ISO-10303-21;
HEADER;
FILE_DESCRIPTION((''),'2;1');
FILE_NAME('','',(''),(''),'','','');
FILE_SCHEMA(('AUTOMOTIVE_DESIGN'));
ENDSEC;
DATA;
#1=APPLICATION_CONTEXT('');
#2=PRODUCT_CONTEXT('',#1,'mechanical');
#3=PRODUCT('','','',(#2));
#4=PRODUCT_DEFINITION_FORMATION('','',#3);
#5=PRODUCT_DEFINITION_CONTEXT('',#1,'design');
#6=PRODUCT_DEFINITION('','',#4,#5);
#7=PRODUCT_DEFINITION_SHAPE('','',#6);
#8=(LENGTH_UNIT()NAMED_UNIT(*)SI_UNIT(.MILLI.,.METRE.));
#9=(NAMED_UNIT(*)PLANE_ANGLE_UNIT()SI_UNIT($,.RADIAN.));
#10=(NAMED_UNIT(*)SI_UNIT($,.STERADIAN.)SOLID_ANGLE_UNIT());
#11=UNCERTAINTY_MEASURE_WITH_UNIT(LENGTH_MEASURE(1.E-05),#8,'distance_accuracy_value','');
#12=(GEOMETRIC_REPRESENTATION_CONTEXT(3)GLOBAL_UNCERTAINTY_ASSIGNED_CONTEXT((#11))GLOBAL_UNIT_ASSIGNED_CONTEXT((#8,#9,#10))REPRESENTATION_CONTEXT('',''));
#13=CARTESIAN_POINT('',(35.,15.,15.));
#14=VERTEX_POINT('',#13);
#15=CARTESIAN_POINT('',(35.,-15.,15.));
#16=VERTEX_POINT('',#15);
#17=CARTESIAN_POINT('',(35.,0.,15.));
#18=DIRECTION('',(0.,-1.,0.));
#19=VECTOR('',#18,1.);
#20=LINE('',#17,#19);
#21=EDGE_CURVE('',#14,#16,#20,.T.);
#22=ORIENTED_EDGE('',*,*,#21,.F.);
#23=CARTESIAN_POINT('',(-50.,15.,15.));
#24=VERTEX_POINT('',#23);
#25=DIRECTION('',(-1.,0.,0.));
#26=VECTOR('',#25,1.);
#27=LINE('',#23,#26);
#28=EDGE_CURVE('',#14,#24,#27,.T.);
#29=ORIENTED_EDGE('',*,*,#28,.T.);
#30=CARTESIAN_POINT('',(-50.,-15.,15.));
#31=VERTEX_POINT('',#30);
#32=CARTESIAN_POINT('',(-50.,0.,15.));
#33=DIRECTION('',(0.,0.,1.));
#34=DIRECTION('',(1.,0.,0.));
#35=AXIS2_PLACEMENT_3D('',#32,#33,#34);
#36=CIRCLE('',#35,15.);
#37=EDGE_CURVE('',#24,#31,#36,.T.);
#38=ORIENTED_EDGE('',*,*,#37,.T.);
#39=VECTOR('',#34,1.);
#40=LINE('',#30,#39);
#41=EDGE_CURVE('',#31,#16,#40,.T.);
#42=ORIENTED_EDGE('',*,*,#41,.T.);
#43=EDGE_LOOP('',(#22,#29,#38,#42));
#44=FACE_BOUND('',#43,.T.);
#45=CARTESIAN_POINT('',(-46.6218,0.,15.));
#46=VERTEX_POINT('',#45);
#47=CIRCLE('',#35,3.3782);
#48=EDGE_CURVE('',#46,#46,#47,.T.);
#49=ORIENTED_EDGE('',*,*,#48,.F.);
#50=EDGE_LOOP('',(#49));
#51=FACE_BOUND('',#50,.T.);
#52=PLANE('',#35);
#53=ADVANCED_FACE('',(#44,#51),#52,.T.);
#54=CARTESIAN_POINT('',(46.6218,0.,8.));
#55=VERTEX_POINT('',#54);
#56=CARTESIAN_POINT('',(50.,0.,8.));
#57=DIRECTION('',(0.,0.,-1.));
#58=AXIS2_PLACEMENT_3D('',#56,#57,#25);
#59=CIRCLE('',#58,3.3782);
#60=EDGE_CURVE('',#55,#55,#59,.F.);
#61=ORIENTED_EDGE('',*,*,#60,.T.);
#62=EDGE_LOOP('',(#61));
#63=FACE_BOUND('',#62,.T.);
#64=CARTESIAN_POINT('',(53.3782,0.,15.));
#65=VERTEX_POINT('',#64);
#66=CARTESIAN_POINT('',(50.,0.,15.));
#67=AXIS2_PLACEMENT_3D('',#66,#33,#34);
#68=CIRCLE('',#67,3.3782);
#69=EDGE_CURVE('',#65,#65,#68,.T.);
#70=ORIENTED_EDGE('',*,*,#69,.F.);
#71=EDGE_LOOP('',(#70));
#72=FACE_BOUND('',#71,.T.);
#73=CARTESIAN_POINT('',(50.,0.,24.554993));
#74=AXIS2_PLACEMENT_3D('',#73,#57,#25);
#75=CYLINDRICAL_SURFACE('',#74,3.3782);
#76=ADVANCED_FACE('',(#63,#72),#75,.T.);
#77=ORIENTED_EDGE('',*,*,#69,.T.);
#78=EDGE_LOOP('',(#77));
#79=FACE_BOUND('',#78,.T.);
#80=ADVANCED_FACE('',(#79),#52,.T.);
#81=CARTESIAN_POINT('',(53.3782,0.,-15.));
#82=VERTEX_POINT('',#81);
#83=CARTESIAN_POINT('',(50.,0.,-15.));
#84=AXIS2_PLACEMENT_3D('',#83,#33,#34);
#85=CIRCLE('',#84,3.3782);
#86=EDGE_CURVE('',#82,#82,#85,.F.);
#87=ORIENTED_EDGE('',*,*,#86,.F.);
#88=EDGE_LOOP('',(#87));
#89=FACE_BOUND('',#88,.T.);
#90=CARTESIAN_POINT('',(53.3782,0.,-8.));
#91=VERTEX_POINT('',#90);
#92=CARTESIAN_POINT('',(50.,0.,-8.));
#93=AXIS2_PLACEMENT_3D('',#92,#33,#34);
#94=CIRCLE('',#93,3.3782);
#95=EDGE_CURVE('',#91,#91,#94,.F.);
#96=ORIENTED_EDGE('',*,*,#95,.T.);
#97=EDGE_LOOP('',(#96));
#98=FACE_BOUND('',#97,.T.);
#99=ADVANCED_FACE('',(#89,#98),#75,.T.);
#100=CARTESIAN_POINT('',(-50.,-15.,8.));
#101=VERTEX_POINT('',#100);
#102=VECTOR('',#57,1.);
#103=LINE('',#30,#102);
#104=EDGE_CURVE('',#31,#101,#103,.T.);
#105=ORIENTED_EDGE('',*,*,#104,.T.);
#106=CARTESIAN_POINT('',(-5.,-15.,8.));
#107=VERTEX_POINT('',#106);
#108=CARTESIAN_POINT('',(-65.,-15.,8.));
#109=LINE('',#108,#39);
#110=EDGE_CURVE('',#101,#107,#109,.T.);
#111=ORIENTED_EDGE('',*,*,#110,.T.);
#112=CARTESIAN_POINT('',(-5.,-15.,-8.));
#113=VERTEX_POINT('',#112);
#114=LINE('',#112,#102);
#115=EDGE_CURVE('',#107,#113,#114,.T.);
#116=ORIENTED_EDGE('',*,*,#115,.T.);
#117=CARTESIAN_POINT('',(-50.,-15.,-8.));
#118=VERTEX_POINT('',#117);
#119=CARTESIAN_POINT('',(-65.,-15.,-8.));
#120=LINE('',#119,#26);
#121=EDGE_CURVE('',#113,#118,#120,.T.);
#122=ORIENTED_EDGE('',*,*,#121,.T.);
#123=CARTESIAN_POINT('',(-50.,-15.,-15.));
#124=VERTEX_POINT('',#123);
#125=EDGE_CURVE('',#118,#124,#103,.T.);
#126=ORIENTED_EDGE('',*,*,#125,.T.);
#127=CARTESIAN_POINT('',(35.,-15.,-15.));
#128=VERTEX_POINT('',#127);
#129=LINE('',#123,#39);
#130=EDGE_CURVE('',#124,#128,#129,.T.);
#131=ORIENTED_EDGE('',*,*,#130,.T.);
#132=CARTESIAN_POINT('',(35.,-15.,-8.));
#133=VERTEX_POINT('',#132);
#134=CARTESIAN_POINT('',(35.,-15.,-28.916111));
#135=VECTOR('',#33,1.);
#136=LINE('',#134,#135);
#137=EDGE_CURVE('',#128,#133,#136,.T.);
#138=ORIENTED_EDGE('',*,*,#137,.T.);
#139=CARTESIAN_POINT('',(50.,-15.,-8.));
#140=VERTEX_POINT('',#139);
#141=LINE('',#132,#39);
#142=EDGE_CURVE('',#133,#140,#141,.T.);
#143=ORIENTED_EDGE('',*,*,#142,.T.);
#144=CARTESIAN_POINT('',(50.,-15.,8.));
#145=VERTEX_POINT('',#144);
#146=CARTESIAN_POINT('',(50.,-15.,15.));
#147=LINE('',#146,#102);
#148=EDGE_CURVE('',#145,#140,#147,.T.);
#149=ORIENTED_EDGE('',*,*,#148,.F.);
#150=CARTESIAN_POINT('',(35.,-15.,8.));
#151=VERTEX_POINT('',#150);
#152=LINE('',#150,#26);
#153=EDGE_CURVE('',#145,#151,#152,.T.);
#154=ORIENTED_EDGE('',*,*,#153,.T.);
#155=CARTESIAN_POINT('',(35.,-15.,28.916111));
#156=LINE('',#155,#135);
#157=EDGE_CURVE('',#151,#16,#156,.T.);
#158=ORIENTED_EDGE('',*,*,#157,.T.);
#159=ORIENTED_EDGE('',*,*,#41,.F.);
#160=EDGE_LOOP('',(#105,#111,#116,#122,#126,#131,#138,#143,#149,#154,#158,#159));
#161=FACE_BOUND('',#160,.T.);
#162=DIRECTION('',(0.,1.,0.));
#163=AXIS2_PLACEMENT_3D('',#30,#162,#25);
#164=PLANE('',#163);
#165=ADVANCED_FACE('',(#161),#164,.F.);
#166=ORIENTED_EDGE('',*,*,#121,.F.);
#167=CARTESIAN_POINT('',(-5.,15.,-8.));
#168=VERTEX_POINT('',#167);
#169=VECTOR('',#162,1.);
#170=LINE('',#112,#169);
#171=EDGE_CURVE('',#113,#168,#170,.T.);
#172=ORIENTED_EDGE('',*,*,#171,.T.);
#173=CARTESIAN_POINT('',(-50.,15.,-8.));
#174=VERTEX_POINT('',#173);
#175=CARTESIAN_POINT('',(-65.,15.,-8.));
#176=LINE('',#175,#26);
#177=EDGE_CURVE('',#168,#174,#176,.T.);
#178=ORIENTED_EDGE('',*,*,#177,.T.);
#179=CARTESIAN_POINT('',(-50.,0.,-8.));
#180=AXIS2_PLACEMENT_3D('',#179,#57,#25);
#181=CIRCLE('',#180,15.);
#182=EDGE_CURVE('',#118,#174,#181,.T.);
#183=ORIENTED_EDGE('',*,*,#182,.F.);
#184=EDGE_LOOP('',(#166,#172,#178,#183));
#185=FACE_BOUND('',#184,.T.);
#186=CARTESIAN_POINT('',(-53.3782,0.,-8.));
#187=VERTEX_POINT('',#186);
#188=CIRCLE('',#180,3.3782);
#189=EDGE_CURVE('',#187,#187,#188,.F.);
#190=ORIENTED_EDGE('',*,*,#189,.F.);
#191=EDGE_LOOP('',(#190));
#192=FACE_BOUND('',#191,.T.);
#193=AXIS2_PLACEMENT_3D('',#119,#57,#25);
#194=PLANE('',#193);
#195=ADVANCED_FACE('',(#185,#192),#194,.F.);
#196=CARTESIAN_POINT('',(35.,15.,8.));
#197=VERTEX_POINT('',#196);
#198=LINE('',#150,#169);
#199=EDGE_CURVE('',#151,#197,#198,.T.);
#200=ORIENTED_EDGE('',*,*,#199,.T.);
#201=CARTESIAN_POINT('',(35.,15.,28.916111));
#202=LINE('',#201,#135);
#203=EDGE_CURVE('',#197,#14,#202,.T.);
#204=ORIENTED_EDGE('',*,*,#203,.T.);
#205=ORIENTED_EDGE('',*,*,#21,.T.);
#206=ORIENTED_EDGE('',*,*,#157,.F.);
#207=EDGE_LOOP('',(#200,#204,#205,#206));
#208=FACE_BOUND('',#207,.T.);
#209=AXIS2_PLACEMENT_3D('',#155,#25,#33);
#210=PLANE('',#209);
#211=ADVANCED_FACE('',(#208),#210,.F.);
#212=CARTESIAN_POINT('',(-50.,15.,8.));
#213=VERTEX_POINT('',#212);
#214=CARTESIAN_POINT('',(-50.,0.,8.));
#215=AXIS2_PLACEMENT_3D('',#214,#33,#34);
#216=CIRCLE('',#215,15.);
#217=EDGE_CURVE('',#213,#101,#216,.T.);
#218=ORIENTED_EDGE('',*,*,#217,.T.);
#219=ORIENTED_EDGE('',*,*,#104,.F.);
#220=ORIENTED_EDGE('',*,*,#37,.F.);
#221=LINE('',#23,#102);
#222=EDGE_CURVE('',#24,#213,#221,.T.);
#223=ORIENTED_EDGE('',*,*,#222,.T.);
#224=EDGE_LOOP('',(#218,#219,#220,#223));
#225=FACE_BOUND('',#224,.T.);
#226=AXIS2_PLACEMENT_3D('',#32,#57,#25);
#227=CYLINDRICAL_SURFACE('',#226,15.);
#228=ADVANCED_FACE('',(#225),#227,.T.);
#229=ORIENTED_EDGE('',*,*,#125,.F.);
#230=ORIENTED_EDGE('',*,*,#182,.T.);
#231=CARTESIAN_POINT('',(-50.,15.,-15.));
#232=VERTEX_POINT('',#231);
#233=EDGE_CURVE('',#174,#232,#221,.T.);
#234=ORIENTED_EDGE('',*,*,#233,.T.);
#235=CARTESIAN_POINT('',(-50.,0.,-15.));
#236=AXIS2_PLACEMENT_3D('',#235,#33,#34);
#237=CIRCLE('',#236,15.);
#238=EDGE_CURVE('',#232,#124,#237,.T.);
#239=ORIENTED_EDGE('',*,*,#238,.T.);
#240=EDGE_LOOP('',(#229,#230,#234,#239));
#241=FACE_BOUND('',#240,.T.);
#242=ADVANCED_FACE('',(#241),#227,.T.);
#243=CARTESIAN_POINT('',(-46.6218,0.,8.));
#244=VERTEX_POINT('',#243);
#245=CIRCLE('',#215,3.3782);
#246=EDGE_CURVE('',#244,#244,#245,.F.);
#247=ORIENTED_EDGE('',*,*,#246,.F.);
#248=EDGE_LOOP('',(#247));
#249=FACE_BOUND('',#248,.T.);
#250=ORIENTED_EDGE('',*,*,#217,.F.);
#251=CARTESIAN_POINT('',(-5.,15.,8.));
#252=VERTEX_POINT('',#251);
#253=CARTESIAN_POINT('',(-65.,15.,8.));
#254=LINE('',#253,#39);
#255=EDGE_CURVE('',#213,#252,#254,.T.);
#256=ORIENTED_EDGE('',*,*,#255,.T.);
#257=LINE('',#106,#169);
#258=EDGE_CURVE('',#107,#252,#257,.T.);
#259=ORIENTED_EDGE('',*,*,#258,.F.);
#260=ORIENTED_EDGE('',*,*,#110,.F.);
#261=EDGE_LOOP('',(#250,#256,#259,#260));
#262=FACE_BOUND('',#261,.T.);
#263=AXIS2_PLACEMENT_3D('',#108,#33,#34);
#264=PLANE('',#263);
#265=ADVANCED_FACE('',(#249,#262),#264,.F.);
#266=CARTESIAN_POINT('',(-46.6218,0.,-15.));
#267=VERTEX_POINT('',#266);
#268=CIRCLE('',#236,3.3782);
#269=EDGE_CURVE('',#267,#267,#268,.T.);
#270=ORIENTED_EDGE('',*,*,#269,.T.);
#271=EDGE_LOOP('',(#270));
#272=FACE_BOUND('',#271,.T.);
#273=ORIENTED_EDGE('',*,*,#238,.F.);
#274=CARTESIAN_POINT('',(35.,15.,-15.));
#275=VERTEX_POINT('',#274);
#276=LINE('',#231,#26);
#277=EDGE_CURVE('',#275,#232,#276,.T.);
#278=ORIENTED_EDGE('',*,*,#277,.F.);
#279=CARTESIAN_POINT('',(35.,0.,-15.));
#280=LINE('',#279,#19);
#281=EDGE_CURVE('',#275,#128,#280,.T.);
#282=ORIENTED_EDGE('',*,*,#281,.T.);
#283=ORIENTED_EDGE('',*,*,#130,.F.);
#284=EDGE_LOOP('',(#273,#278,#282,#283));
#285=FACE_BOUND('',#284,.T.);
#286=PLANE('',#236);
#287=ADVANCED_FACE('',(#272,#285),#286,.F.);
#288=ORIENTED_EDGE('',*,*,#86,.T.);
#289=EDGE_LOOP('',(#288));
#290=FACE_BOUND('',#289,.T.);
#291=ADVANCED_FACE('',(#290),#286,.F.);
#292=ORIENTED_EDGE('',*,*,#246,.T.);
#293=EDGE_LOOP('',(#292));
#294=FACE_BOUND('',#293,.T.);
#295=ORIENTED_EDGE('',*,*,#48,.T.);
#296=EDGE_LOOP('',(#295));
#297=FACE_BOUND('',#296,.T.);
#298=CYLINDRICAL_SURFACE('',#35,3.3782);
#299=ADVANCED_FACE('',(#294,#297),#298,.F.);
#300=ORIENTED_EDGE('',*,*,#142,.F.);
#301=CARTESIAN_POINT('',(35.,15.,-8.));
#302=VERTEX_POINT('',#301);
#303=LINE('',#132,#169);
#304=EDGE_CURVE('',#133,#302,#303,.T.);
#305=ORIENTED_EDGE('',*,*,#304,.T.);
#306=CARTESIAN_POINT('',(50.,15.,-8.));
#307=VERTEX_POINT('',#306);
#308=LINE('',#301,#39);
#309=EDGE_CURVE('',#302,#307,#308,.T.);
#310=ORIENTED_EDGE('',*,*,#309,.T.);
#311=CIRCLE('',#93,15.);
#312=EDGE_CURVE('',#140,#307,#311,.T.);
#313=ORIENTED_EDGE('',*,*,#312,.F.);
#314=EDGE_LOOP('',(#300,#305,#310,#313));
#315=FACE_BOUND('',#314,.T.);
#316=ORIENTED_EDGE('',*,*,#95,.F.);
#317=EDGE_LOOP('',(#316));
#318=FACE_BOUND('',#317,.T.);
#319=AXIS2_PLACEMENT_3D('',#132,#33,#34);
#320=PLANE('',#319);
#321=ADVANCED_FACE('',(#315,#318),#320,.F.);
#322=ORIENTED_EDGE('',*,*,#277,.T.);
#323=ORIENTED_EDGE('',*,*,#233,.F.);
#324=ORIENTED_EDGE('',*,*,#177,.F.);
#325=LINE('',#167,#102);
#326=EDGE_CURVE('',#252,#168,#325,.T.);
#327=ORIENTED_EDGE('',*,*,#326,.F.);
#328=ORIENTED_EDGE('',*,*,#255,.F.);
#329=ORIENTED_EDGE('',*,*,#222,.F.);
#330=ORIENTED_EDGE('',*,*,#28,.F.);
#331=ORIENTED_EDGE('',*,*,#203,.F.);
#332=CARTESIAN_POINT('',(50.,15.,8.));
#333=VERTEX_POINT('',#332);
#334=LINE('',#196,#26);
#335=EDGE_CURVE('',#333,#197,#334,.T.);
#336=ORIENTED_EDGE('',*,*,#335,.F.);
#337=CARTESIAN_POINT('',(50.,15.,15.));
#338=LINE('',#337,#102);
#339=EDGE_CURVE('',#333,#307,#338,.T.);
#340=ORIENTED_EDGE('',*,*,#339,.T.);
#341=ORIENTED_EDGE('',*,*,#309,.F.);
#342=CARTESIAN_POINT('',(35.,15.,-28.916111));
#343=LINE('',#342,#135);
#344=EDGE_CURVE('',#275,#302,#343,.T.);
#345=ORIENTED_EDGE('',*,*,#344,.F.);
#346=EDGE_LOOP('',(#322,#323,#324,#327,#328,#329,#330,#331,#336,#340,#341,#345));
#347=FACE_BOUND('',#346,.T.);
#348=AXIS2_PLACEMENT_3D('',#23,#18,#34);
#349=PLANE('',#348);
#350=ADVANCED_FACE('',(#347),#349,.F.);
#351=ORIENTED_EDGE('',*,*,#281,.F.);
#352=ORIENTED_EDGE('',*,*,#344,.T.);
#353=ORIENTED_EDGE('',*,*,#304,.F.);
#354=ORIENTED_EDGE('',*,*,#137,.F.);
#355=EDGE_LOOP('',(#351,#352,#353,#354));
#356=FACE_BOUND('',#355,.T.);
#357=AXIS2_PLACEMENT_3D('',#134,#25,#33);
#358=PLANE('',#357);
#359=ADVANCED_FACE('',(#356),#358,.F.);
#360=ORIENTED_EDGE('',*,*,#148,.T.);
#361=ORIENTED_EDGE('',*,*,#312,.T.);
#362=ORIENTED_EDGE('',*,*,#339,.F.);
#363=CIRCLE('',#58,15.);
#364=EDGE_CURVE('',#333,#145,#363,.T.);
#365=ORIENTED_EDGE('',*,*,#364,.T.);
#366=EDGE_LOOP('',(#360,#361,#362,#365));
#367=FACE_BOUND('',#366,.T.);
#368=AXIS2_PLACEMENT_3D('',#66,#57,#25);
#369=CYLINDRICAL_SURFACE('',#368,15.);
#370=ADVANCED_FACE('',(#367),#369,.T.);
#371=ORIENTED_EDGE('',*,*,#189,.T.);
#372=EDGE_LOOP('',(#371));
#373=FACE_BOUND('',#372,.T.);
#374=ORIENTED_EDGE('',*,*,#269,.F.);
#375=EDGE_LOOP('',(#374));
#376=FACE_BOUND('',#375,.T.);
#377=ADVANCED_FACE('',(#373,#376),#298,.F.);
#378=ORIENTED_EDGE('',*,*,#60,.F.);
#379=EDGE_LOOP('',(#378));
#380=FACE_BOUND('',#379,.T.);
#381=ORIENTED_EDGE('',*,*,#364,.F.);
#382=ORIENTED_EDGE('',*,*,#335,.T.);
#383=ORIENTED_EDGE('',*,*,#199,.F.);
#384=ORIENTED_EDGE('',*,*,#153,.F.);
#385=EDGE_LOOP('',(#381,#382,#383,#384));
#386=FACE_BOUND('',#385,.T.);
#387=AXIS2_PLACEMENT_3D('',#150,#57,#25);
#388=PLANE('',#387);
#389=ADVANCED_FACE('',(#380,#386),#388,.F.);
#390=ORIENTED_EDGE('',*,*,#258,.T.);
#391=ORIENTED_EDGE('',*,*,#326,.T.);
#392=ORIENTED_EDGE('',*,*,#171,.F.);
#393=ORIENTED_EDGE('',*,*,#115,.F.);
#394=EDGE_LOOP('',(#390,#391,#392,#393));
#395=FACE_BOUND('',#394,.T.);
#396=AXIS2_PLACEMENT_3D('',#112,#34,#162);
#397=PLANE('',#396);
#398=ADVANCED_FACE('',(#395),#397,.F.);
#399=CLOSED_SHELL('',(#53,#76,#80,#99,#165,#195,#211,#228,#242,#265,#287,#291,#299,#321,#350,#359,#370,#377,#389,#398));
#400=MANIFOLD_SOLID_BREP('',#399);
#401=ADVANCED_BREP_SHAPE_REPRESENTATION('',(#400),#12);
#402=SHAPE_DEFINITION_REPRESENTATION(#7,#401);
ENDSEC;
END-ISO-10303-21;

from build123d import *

# Parameters (mm, degrees)
BOSS_EXTRUDE1_DEPTH             = 15
H_0_266_DIAMETER_HOLE1_D        = 6.7564
SKETCH5_W                       = 60
SKETCH5_H                       = 16
SKETCH5_H_2                     = 20.916111238
CUT_EXTRUDE1_DEPTH              = 74.143694192
BOSS_EXTRUDE2_REACH             = 70.374
SKETCH6_R                       = 3.3782
BOSS_EXTRUDE2_DIRECTION_2_REACH = 70.374


with BuildPart() as part:
    # Sketch1 → Boss-Extrude1 (new, symmetric)
    with BuildSketch(Plane.XY):
        with BuildLine():
            Line((-50, 15), (50, 15))
            ThreePointArc((50, 15), (65, 0), (50, -15))
            Line((50, -15), (-50, -15))
            ThreePointArc((-50, -15), (-65, 0), (-50, 15))
        make_face()
    extrude(amount=BOSS_EXTRUDE1_DEPTH, both=True)

    # H (0.266) Diameter Hole1 (through all)
    with Locations(Plane.XY.offset(15)):
        with Locations((-50, 0), (50, 0)):
            Hole(H_0_266_DIAMETER_HOLE1_D / 2)

    # Sketch5 → Cut-Extrude1 (cut, through all)
    with BuildSketch(Plane(origin=(0, 15, 0), x_dir=(1, 0, 0), z_dir=(0, 1, 0))):
        with Locations((-35, 0)):
            Rectangle(SKETCH5_W, SKETCH5_H)
        with Locations((65, 18.458055619)):
            Rectangle(SKETCH5_W, SKETCH5_H_2)
        with Locations((65, -18.458055619)):
            Rectangle(SKETCH5_W, SKETCH5_H_2)
    extrude(amount=-CUT_EXTRUDE1_DEPTH, mode=Mode.SUBTRACT)

    # Boss-Extrude2: up to this face of the body (flat: up to its plane)
    boss_extrude2_end = Plane(part.part.faces().sort_by_distance((-12.991398112, 0, 15))[0])
    # Sketch6 → Boss-Extrude2 (add, up to the picked face)
    with BuildSketch(Plane.XY, mode=Mode.PRIVATE) as boss_extrude2_sk1:
        with Locations((50, 0)):
            Circle(SKETCH6_R)
    boss_extrude2_tool1 = split(extrude(boss_extrude2_sk1.sketch, amount=BOSS_EXTRUDE2_REACH, mode=Mode.PRIVATE), bisect_by=boss_extrude2_end, keep=Keep.BOTH, mode=Mode.PRIVATE)
    add(boss_extrude2_tool1.solids().sort_by(Axis((50, 0, 0), (0, 0, 1)))[0])

    # Boss-Extrude2 direction 2: up to this face of the body (flat: up to its plane)
    boss_extrude2_direction_2_end = Plane(part.part.faces().sort_by_distance((-12.991398112, 0, -15))[0])
    # Sketch6 → Boss-Extrude2 direction 2 (add, up to the picked face)
    with BuildSketch(Plane.XY, mode=Mode.PRIVATE) as boss_extrude2_direction_2_sk1:
        with Locations((50, 0)):
            Circle(SKETCH6_R)
    boss_extrude2_direction_2_tool1 = split(extrude(boss_extrude2_direction_2_sk1.sketch, amount=-BOSS_EXTRUDE2_DIRECTION_2_REACH, mode=Mode.PRIVATE), bisect_by=boss_extrude2_direction_2_end, keep=Keep.BOTH, mode=Mode.PRIVATE)
    add(boss_extrude2_direction_2_tool1.solids().sort_by(Axis((50, 0, 0), (0, 0, -1)))[0])


solid = part.part
